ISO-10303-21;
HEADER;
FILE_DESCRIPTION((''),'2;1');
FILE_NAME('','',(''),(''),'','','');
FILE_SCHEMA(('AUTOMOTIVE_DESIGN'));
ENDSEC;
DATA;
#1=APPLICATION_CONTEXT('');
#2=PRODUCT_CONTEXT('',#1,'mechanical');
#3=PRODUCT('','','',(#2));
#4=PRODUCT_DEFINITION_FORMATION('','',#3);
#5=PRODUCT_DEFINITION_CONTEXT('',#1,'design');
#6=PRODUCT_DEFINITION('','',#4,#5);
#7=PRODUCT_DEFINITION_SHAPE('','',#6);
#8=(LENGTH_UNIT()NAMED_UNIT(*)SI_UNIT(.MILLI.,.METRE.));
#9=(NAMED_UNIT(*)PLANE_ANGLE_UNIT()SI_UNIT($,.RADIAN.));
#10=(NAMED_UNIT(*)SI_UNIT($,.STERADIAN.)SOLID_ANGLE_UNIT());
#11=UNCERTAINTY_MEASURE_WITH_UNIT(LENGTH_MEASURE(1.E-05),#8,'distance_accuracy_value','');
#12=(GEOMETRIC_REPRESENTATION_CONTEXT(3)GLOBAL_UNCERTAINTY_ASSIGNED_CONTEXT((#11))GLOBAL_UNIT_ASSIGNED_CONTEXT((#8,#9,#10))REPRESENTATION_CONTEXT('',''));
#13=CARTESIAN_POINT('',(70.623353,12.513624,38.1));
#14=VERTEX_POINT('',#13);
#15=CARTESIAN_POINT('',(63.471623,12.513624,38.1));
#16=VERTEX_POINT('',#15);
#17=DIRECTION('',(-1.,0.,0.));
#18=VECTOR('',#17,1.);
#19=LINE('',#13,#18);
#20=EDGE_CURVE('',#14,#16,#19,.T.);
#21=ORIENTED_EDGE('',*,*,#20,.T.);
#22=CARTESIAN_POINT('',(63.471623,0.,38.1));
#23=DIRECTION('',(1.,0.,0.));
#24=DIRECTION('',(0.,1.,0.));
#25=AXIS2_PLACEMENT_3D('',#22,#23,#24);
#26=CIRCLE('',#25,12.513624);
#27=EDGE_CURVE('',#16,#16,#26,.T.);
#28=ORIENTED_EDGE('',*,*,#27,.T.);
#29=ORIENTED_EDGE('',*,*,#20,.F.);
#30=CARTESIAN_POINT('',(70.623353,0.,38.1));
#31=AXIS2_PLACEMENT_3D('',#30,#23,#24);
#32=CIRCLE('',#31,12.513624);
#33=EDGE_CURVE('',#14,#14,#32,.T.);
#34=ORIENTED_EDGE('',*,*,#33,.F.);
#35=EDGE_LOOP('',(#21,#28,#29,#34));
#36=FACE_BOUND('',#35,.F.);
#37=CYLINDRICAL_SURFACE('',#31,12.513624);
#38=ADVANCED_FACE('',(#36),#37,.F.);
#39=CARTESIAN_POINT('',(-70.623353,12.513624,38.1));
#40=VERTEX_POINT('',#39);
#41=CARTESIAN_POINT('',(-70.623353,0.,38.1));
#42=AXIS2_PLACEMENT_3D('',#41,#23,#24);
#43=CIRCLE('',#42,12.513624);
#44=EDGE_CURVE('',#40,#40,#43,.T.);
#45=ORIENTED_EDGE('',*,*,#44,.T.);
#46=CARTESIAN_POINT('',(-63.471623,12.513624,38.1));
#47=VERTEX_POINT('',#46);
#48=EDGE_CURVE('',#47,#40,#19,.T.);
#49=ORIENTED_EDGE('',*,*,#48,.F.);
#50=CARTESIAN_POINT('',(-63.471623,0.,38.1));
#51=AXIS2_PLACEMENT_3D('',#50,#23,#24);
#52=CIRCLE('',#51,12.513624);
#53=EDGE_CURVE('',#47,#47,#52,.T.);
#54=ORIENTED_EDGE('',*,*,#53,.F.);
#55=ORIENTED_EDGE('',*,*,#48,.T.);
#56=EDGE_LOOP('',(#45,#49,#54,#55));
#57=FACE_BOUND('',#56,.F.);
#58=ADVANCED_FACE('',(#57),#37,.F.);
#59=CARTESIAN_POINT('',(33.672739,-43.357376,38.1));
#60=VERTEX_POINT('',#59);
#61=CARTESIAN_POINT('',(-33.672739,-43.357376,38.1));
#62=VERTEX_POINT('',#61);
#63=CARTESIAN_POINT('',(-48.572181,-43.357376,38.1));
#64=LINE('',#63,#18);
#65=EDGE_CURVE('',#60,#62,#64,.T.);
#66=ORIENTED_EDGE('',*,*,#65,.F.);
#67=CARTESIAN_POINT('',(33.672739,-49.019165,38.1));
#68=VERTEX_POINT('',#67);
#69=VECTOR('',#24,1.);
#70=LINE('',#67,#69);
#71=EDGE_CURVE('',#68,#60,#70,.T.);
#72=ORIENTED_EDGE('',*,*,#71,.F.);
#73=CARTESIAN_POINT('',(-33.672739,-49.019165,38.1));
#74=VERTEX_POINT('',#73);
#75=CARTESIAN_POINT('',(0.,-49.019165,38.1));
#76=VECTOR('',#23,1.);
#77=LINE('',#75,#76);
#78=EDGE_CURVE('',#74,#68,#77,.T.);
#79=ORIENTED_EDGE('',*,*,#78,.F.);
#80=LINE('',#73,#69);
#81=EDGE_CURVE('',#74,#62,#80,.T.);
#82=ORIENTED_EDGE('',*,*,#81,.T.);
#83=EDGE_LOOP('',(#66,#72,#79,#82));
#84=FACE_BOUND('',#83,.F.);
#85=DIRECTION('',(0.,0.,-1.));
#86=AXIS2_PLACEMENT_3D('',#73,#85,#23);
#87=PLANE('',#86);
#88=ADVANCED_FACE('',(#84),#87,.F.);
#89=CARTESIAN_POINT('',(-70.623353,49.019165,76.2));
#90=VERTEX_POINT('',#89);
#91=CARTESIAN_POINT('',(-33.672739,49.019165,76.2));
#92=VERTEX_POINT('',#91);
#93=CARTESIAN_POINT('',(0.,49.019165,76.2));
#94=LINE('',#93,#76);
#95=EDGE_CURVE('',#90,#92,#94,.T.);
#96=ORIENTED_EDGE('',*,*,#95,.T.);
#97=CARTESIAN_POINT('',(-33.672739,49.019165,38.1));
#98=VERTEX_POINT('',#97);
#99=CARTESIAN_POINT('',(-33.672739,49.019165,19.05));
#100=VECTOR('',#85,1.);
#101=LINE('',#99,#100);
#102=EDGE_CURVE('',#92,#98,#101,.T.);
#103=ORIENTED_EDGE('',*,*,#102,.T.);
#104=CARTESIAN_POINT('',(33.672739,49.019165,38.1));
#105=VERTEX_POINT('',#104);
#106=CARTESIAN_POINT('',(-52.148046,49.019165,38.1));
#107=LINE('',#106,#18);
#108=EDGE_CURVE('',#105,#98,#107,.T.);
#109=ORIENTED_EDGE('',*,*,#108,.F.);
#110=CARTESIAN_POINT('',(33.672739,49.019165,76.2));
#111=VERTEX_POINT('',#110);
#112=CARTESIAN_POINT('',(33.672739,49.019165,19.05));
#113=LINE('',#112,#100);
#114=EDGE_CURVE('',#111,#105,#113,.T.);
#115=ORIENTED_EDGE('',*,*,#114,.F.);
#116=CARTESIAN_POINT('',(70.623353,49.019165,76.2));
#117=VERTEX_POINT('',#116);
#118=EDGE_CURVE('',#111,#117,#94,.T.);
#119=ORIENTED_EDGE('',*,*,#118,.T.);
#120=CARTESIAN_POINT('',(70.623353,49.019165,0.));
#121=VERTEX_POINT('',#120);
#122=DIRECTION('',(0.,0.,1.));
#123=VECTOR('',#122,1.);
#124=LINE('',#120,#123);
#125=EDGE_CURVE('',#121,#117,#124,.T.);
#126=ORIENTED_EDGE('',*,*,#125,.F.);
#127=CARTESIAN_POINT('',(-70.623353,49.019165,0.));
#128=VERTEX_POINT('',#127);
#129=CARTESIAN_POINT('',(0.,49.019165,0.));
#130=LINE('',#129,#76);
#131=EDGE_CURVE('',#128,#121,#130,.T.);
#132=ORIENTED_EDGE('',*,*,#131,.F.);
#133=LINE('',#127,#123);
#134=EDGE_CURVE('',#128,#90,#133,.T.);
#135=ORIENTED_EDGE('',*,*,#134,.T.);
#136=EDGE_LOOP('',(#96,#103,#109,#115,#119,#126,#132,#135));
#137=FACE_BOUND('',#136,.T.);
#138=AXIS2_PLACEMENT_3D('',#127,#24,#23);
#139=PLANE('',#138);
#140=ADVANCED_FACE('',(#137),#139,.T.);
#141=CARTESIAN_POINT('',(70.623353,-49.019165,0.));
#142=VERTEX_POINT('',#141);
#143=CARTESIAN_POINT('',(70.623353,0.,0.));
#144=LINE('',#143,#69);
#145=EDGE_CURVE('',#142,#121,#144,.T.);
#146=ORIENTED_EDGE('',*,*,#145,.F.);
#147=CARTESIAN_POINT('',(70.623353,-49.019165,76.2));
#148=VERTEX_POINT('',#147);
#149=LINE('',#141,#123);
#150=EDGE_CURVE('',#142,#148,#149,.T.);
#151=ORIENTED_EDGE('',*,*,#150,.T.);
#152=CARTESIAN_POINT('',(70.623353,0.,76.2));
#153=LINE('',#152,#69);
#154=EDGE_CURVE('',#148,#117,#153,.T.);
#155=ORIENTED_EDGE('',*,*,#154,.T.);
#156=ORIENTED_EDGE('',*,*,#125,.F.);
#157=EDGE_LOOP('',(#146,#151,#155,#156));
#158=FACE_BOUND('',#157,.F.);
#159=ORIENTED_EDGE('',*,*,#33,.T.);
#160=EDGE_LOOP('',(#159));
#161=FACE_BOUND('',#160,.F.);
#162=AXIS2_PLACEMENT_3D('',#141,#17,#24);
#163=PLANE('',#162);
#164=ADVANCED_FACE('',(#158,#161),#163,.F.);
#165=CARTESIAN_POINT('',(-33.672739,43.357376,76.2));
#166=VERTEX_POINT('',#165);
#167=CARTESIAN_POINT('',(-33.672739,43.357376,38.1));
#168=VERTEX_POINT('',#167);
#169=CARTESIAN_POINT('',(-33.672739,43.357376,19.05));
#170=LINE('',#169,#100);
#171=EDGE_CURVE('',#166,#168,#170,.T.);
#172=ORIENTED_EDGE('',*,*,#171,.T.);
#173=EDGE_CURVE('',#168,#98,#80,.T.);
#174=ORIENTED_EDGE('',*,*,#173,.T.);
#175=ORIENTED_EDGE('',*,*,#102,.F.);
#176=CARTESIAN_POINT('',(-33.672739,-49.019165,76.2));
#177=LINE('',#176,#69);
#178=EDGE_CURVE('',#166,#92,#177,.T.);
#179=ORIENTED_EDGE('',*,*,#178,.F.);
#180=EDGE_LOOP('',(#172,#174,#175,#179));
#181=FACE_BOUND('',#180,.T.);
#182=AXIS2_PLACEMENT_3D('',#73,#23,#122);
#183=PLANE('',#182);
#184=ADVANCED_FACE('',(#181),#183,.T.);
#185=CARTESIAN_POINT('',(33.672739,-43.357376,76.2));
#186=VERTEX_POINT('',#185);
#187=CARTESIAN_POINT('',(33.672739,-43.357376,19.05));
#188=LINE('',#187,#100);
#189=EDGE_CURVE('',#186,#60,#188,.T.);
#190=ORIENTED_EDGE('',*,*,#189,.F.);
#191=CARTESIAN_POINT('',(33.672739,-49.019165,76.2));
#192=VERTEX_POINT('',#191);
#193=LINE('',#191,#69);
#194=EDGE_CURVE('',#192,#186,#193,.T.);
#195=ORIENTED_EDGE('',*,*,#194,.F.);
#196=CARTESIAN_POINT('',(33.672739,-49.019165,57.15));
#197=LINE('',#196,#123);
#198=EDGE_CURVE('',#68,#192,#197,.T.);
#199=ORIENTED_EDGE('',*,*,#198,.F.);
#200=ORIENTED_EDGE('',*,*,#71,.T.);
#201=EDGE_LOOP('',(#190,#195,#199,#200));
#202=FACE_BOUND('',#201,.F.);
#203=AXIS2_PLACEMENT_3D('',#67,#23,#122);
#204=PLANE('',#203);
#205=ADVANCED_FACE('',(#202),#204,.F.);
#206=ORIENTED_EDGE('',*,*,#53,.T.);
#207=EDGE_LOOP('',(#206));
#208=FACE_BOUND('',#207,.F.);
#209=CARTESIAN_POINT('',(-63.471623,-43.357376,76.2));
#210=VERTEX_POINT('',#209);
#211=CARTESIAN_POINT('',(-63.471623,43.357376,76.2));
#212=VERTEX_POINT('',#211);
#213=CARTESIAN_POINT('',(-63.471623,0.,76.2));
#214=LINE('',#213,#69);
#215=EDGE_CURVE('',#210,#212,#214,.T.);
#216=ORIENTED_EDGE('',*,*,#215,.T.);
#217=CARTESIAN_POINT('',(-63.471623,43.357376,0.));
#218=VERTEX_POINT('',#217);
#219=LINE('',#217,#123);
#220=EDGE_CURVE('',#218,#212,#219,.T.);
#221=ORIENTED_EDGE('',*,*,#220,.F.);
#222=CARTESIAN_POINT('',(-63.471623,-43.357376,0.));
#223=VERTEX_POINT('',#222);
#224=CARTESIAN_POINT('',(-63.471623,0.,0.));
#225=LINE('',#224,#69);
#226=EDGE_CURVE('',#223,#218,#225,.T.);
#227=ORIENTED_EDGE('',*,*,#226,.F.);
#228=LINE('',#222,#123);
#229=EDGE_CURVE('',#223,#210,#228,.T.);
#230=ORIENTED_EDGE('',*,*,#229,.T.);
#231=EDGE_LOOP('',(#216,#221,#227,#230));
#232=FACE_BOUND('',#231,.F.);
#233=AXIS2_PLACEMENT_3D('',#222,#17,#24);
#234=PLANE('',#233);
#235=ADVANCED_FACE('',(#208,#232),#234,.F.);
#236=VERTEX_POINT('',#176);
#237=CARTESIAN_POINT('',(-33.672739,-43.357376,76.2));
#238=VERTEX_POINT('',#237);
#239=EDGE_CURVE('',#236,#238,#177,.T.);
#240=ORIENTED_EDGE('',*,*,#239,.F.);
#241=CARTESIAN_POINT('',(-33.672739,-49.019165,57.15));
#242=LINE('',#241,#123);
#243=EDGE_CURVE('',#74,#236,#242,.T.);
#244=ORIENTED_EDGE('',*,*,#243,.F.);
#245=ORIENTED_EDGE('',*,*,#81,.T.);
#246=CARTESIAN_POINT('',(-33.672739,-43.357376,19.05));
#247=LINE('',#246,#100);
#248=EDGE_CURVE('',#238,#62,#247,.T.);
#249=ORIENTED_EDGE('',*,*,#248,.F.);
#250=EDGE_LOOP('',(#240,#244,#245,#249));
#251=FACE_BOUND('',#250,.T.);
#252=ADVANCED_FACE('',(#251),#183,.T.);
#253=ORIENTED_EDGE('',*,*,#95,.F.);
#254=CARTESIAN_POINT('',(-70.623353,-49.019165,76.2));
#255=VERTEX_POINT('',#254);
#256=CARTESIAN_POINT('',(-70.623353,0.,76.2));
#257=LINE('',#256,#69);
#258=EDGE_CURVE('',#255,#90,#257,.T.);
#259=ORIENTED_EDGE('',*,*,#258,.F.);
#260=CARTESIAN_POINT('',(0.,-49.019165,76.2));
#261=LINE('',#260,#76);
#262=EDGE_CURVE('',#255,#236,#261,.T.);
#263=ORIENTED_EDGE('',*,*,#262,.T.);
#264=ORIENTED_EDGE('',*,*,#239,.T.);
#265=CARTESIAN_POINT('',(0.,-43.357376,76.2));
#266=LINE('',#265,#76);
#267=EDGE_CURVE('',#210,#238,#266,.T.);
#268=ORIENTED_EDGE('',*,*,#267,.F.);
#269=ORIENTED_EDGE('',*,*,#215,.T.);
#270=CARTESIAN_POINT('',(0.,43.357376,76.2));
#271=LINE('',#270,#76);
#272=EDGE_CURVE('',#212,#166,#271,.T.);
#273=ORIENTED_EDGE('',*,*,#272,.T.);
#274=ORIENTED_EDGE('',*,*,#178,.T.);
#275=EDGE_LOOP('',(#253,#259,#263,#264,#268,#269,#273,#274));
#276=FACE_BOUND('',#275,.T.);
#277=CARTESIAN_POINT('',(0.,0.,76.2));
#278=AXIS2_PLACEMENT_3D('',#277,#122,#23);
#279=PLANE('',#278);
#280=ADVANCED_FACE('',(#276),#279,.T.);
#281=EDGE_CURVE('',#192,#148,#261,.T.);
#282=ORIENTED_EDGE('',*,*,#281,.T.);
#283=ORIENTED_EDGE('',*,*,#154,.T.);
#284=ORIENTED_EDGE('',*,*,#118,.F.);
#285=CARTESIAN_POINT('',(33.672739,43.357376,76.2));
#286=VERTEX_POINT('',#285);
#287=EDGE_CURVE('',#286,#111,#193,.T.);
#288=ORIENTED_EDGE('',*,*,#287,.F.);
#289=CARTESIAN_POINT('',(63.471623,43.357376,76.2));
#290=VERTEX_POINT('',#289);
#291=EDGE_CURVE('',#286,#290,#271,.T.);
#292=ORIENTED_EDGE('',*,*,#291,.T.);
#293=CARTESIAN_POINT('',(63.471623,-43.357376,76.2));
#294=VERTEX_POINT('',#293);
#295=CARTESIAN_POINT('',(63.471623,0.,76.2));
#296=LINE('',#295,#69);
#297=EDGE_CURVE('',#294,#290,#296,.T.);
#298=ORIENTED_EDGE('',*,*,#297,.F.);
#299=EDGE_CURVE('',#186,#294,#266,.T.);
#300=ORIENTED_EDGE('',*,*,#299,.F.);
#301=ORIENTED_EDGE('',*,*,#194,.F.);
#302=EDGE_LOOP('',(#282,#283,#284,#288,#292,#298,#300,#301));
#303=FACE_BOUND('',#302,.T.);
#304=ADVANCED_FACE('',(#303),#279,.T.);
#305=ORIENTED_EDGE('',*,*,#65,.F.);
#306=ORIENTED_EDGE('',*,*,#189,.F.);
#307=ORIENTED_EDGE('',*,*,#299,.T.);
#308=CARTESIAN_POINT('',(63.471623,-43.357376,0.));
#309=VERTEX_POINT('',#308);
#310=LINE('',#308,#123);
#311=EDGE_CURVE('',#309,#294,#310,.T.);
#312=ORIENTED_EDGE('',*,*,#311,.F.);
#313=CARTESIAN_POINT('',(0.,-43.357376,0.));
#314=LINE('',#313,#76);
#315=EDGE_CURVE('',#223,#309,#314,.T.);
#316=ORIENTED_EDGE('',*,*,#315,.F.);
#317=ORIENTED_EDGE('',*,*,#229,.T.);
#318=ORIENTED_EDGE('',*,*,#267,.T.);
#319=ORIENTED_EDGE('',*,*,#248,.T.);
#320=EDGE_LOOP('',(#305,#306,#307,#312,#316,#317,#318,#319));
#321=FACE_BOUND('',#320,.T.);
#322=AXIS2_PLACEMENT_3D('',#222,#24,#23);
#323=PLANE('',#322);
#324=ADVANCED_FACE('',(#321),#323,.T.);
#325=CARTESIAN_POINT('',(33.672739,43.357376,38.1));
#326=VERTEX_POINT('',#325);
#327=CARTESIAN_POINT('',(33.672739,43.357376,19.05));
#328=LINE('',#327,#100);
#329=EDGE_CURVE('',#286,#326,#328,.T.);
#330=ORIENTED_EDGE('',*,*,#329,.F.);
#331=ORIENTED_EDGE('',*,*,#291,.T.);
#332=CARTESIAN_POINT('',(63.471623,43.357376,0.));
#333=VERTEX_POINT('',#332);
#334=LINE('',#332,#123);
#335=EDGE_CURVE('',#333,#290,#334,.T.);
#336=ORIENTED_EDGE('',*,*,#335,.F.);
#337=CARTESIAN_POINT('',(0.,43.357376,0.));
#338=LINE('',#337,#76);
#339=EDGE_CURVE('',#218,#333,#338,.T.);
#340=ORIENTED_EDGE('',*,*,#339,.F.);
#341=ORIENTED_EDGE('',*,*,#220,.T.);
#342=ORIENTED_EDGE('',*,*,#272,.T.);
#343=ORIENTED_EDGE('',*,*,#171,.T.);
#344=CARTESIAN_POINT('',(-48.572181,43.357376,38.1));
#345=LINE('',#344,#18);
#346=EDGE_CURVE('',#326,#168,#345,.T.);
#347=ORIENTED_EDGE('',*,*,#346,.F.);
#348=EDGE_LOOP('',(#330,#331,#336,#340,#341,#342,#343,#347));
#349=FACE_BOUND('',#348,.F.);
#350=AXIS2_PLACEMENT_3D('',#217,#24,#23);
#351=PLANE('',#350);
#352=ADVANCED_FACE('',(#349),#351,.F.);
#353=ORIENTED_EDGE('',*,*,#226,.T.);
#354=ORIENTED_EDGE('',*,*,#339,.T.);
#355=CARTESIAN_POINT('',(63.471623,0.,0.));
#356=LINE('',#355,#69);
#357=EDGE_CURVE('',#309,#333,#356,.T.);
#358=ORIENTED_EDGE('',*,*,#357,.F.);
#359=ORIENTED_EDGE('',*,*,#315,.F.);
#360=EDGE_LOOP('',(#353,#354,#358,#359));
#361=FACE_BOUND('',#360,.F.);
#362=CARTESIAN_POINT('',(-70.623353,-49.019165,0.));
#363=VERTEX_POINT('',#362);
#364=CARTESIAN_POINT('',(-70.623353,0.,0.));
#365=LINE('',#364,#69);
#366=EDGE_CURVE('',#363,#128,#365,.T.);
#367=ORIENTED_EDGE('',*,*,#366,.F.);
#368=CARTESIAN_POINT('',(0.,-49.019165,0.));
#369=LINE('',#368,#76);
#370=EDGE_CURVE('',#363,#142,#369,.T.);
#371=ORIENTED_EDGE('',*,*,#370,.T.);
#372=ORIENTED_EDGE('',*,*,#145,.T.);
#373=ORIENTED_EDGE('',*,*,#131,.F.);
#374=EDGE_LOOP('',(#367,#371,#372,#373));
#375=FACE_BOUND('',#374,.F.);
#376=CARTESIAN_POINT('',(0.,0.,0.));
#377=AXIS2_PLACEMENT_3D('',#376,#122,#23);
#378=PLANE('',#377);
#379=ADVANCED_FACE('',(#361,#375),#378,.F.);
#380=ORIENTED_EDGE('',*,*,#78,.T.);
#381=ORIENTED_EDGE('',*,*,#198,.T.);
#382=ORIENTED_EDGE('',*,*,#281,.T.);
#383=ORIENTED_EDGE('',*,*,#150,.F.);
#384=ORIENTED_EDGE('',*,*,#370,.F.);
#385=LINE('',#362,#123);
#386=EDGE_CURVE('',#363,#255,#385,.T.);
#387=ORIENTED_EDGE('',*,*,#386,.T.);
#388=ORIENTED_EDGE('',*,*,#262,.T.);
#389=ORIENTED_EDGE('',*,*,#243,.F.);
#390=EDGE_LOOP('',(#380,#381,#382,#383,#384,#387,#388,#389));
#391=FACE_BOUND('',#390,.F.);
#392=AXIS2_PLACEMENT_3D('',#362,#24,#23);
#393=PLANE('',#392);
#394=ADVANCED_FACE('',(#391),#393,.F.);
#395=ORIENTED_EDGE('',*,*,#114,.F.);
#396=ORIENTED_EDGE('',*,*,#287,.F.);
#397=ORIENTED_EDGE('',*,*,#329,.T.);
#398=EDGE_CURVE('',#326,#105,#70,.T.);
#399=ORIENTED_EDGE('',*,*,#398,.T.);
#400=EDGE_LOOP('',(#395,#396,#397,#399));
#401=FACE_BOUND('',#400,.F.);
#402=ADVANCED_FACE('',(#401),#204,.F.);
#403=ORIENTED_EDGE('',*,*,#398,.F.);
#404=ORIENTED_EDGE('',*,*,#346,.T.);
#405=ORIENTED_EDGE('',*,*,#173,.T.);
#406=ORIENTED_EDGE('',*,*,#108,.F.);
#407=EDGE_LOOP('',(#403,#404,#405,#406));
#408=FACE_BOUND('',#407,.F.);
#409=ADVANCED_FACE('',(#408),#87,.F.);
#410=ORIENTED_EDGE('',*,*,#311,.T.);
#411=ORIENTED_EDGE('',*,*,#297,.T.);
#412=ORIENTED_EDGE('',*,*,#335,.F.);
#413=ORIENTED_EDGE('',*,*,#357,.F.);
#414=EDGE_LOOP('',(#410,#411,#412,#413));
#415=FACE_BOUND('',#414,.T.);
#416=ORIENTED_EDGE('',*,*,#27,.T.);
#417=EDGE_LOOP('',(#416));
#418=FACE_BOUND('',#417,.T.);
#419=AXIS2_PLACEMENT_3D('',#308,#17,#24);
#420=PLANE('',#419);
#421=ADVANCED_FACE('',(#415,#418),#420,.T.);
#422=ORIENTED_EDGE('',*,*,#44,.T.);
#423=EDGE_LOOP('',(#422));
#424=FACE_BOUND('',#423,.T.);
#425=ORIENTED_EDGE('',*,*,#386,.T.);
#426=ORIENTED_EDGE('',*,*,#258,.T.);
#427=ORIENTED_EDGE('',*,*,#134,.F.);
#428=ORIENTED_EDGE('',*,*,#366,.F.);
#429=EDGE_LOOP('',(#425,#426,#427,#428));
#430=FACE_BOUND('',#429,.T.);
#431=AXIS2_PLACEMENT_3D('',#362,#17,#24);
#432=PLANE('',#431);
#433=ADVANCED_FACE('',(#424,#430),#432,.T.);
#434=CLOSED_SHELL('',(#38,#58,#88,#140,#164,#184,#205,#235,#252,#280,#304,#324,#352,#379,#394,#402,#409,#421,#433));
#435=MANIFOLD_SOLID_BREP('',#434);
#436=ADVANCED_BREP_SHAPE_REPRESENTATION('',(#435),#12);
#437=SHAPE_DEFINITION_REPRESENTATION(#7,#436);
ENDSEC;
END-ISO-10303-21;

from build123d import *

# Parameters (mm, degrees)
F0_W     = 141.246706
F0_H     = 98.03833
F0_W_2   = 126.943246
F0_H_2   = 86.714752
F1_DEPTH = 76.2
F2_R     = 12.513624
F3_DEPTH = 255.778
F4_W     = 67.345478
F4_H     = 38.1
F5_DEPTH = 172.466


with BuildPart() as f1:
    # F0 (on Top) → F1 (new body)
    with BuildSketch(Plane.XY):
        Rectangle(F0_W, F0_H)
        Rectangle(F0_W_2, F0_H_2, mode=Mode.SUBTRACT)
    extrude(amount=F1_DEPTH)

    # F2 (on face) → F3 (cut)
    with BuildSketch(Plane.YZ.offset(70.623353)):
        with Locations((0, 38.1)):
            Circle(F2_R)
    extrude(amount=-F3_DEPTH, mode=Mode.SUBTRACT)

    # F4 (on face) → F5 (cut)
    with BuildSketch(Plane.XZ.offset(49.019165)):
        with Locations((0, 57.15)):
            Rectangle(F4_W, F4_H)
    extrude(amount=-F5_DEPTH, mode=Mode.SUBTRACT)


solid = f1.part
